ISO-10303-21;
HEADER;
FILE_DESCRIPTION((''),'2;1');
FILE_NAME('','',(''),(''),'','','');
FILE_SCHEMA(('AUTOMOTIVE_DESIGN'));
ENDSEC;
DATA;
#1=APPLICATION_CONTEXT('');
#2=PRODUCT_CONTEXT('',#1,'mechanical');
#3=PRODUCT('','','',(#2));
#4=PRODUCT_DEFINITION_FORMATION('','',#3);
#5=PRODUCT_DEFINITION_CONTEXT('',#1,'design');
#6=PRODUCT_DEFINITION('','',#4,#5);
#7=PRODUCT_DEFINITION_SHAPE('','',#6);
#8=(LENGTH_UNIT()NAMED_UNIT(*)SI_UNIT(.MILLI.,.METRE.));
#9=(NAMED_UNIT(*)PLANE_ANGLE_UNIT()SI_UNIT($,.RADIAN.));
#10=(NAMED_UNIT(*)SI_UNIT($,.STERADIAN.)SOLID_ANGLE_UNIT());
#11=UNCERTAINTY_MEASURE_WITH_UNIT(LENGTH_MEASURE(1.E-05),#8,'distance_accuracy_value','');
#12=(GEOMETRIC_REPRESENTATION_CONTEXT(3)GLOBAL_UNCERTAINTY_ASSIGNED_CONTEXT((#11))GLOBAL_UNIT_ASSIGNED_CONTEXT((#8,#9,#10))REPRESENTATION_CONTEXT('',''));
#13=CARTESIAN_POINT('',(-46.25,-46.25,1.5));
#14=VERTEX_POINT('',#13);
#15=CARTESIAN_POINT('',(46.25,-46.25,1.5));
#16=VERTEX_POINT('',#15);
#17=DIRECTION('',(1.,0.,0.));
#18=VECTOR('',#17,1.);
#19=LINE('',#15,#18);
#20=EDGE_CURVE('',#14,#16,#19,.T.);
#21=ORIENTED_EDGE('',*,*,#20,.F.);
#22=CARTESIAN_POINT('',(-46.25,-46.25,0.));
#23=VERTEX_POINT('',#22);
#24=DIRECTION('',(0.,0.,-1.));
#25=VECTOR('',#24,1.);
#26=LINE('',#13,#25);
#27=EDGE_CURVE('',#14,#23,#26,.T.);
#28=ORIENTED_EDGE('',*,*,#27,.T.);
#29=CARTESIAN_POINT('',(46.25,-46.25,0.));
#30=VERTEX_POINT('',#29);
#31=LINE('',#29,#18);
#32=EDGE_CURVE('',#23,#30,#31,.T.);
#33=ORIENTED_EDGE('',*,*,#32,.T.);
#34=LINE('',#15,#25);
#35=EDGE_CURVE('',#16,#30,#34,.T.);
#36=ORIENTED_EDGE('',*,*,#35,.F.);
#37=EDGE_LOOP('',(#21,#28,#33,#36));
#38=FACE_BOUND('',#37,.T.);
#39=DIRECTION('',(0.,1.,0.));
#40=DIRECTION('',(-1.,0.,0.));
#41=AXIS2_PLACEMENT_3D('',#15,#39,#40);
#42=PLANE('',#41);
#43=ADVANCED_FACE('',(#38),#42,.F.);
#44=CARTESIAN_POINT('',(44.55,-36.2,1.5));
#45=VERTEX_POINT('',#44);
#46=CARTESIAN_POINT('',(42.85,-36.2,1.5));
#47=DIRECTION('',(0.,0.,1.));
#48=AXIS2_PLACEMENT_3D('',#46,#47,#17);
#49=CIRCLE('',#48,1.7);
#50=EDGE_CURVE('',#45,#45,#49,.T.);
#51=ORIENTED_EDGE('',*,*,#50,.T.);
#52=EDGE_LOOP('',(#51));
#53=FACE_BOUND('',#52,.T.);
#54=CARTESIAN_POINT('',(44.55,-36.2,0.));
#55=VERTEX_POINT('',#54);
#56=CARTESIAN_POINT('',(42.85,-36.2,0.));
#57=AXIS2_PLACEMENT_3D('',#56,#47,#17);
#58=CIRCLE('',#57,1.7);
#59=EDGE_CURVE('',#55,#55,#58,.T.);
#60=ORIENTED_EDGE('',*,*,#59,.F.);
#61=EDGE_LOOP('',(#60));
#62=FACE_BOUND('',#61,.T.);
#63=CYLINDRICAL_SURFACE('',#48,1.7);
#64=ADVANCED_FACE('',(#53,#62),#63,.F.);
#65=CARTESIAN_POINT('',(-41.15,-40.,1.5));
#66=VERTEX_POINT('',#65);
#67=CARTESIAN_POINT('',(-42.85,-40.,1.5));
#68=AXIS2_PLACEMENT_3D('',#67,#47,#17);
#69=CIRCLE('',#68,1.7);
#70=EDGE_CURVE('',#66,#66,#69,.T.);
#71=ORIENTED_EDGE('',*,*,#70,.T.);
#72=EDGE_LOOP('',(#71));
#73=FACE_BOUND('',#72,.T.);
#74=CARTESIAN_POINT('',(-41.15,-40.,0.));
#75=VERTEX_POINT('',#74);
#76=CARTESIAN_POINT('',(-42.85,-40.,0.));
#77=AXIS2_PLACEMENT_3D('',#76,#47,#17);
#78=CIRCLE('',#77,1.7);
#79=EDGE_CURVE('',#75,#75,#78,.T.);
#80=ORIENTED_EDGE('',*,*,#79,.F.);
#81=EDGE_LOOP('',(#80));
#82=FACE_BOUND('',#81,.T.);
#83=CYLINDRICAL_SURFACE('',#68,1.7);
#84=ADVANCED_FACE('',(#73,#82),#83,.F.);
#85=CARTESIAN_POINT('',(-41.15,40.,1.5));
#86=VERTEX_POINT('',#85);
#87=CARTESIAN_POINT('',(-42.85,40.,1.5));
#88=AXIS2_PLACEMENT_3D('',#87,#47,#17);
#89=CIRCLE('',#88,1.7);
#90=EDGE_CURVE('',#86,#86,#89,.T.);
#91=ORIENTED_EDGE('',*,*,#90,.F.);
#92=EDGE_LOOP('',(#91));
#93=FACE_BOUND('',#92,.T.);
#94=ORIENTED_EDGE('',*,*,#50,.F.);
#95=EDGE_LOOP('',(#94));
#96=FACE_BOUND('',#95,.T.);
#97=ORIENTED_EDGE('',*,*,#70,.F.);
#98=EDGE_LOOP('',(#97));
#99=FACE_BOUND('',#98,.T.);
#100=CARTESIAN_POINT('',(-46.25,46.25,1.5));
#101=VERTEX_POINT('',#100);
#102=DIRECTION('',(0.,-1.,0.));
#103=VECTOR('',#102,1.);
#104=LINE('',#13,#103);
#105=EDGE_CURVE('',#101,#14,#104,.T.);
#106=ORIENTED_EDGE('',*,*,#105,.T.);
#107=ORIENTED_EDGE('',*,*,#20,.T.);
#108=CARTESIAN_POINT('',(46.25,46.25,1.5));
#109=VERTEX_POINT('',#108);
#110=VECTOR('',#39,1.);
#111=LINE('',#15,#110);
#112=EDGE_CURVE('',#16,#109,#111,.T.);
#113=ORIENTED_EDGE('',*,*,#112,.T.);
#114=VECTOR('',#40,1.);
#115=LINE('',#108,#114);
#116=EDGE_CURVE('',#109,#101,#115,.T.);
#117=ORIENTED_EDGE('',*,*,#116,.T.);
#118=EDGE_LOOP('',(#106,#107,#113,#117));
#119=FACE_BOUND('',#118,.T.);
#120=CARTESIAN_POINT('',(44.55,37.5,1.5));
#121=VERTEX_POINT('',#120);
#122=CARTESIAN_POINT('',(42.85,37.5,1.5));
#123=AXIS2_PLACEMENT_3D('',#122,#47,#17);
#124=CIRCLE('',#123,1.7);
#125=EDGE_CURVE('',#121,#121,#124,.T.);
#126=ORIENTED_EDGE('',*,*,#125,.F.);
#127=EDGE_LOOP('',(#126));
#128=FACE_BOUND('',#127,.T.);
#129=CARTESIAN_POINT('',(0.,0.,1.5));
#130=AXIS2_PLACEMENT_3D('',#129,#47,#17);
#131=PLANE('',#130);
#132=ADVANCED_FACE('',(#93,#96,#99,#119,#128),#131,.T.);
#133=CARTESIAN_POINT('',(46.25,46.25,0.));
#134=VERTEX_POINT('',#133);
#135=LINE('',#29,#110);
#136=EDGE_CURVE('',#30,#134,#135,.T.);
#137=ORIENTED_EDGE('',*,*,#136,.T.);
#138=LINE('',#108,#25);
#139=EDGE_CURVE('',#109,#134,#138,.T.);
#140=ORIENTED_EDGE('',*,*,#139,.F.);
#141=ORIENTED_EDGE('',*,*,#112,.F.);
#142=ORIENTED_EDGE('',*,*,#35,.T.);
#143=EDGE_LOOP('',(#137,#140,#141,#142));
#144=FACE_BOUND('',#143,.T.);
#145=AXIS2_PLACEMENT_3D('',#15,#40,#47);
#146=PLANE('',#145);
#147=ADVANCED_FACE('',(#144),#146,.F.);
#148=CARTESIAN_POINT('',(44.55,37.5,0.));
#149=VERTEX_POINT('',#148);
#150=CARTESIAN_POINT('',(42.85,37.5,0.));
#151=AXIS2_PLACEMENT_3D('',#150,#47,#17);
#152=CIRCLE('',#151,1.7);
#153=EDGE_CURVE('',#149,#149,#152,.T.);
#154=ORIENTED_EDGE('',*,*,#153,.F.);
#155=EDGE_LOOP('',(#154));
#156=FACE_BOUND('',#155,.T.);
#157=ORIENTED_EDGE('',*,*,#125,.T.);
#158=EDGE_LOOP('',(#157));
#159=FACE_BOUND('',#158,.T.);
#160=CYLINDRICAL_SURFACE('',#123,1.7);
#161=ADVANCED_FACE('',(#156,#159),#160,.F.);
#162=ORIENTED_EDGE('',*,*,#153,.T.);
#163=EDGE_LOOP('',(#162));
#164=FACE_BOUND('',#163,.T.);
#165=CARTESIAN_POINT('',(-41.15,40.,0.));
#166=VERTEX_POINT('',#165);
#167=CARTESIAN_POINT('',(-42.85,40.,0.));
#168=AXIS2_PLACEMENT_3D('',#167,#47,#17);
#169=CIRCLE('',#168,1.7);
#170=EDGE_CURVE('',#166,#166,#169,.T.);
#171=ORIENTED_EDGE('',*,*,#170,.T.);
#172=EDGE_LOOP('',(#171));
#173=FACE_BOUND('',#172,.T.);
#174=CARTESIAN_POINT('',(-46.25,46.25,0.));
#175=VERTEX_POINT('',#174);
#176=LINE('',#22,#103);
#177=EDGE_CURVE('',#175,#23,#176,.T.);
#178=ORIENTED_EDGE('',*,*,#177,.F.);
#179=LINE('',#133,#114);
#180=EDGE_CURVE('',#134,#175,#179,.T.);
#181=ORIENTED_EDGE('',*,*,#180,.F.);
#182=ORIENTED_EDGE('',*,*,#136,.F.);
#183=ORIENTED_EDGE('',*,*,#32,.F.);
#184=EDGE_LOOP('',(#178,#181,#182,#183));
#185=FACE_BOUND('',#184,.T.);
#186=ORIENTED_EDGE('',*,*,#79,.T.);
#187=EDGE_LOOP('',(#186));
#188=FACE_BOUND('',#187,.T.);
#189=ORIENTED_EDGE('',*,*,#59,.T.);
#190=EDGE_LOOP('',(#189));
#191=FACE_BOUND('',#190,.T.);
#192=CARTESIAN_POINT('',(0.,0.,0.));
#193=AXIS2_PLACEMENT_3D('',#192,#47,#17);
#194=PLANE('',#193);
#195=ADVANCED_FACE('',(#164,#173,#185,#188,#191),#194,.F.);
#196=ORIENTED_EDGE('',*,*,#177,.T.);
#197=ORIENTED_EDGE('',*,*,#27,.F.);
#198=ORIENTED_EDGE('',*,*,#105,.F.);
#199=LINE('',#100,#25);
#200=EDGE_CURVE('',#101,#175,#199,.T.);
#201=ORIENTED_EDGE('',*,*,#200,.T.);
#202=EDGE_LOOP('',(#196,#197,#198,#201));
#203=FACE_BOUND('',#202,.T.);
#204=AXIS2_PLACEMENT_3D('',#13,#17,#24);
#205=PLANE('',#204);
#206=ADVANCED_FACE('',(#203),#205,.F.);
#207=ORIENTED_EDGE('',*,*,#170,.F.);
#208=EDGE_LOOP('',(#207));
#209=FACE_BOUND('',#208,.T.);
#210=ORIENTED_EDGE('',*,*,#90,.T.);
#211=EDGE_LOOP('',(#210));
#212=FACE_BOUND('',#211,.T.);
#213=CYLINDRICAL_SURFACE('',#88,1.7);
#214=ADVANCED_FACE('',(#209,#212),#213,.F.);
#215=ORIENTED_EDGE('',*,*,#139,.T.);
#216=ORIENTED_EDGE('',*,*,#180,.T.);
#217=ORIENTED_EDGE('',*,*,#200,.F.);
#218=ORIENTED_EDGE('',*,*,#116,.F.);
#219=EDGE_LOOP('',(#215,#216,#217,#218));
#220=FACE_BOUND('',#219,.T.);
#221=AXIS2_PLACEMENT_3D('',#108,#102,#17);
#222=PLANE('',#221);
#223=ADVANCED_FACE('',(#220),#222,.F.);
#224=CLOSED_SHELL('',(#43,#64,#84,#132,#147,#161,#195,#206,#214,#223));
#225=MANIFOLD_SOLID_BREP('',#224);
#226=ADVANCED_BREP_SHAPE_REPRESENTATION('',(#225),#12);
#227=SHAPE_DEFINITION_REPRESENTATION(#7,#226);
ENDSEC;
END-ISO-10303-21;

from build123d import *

# Parameters (mm, degrees)
SKETCH1_W            = 92.5
SKETCH1_H            = 92.5
BOSS_EXTRUDE1_DEPTH  = 1.5
M3_CLEARANCE_HOLE1_D = 3.4


with BuildPart() as part:
    # Sketch1 → Boss-Extrude1 (new body)
    with BuildSketch(Plane.XY):
        Rectangle(SKETCH1_W, SKETCH1_H)
    extrude(amount=BOSS_EXTRUDE1_DEPTH)

    # M3 Clearance Hole1 (through all)
    with Locations(Plane(origin=(42.85, -36.2, 1.5), x_dir=(1, 0, 0), z_dir=(0, 0, 1))):
        with Locations((0, 0), (0, 73.7), (-85.7, 76.2), (-85.7, -3.8)):
            Hole(M3_CLEARANCE_HOLE1_D / 2)


solid = part.part
